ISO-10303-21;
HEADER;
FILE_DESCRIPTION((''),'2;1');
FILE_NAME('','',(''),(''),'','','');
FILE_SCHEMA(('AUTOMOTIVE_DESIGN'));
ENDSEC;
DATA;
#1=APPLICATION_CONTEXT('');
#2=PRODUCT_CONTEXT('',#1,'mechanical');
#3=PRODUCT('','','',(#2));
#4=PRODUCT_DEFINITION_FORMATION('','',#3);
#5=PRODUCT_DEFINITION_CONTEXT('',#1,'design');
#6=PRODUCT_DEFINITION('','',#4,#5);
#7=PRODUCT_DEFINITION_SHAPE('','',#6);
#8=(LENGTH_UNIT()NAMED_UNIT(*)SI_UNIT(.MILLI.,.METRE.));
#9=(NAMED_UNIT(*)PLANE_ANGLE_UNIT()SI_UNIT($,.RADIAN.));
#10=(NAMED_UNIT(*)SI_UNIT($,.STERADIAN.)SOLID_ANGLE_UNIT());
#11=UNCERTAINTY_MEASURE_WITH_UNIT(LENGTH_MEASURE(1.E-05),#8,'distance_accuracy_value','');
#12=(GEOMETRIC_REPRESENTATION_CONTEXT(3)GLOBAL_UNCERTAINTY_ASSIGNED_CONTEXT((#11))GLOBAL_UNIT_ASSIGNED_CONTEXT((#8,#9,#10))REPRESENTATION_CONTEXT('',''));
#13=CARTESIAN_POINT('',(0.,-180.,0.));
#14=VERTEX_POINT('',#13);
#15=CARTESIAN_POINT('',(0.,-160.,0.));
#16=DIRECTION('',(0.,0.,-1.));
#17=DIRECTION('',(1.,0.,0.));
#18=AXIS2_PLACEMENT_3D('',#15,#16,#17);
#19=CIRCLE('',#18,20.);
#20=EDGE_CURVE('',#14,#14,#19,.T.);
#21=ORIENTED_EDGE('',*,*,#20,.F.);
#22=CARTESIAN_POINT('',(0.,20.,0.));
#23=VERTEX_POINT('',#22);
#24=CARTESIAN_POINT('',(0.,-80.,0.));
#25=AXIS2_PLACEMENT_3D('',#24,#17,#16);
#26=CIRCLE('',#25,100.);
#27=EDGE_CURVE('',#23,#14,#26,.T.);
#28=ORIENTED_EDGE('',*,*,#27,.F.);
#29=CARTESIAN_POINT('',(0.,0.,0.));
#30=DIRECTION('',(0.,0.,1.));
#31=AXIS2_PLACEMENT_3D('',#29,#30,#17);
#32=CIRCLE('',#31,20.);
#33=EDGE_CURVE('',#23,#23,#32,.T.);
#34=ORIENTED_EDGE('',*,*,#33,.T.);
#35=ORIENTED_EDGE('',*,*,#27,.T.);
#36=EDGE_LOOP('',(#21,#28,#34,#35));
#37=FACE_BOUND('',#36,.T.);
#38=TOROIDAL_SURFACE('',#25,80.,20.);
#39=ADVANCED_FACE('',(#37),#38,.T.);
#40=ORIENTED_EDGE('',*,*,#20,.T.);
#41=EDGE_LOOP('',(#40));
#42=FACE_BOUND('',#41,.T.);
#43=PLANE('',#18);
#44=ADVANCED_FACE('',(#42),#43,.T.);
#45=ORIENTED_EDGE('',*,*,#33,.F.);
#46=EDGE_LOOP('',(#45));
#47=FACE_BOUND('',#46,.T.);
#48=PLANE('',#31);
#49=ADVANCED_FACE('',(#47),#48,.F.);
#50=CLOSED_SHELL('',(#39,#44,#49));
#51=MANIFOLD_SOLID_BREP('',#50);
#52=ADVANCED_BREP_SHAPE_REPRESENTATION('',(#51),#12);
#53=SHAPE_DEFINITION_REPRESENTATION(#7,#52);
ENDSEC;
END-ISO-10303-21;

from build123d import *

# Parameters (mm, degrees)
SKETCH_1_R = 20


with BuildPart() as part:
    # 扫描2: sweep along a path in 草图2
    with BuildLine(Plane(origin=(0, 0, 0), x_dir=(0, 0, -1), z_dir=(1, 0, 0))) as sweep_2_path:
        ThreePointArc((0, 0), (-80, -80), (0, -160))
    # 草图1 → 扫描2 (sweep)
    with BuildSketch(Plane.XY):
        Circle(SKETCH_1_R)
    sweep(path=sweep_2_path.line)


solid = part.part
